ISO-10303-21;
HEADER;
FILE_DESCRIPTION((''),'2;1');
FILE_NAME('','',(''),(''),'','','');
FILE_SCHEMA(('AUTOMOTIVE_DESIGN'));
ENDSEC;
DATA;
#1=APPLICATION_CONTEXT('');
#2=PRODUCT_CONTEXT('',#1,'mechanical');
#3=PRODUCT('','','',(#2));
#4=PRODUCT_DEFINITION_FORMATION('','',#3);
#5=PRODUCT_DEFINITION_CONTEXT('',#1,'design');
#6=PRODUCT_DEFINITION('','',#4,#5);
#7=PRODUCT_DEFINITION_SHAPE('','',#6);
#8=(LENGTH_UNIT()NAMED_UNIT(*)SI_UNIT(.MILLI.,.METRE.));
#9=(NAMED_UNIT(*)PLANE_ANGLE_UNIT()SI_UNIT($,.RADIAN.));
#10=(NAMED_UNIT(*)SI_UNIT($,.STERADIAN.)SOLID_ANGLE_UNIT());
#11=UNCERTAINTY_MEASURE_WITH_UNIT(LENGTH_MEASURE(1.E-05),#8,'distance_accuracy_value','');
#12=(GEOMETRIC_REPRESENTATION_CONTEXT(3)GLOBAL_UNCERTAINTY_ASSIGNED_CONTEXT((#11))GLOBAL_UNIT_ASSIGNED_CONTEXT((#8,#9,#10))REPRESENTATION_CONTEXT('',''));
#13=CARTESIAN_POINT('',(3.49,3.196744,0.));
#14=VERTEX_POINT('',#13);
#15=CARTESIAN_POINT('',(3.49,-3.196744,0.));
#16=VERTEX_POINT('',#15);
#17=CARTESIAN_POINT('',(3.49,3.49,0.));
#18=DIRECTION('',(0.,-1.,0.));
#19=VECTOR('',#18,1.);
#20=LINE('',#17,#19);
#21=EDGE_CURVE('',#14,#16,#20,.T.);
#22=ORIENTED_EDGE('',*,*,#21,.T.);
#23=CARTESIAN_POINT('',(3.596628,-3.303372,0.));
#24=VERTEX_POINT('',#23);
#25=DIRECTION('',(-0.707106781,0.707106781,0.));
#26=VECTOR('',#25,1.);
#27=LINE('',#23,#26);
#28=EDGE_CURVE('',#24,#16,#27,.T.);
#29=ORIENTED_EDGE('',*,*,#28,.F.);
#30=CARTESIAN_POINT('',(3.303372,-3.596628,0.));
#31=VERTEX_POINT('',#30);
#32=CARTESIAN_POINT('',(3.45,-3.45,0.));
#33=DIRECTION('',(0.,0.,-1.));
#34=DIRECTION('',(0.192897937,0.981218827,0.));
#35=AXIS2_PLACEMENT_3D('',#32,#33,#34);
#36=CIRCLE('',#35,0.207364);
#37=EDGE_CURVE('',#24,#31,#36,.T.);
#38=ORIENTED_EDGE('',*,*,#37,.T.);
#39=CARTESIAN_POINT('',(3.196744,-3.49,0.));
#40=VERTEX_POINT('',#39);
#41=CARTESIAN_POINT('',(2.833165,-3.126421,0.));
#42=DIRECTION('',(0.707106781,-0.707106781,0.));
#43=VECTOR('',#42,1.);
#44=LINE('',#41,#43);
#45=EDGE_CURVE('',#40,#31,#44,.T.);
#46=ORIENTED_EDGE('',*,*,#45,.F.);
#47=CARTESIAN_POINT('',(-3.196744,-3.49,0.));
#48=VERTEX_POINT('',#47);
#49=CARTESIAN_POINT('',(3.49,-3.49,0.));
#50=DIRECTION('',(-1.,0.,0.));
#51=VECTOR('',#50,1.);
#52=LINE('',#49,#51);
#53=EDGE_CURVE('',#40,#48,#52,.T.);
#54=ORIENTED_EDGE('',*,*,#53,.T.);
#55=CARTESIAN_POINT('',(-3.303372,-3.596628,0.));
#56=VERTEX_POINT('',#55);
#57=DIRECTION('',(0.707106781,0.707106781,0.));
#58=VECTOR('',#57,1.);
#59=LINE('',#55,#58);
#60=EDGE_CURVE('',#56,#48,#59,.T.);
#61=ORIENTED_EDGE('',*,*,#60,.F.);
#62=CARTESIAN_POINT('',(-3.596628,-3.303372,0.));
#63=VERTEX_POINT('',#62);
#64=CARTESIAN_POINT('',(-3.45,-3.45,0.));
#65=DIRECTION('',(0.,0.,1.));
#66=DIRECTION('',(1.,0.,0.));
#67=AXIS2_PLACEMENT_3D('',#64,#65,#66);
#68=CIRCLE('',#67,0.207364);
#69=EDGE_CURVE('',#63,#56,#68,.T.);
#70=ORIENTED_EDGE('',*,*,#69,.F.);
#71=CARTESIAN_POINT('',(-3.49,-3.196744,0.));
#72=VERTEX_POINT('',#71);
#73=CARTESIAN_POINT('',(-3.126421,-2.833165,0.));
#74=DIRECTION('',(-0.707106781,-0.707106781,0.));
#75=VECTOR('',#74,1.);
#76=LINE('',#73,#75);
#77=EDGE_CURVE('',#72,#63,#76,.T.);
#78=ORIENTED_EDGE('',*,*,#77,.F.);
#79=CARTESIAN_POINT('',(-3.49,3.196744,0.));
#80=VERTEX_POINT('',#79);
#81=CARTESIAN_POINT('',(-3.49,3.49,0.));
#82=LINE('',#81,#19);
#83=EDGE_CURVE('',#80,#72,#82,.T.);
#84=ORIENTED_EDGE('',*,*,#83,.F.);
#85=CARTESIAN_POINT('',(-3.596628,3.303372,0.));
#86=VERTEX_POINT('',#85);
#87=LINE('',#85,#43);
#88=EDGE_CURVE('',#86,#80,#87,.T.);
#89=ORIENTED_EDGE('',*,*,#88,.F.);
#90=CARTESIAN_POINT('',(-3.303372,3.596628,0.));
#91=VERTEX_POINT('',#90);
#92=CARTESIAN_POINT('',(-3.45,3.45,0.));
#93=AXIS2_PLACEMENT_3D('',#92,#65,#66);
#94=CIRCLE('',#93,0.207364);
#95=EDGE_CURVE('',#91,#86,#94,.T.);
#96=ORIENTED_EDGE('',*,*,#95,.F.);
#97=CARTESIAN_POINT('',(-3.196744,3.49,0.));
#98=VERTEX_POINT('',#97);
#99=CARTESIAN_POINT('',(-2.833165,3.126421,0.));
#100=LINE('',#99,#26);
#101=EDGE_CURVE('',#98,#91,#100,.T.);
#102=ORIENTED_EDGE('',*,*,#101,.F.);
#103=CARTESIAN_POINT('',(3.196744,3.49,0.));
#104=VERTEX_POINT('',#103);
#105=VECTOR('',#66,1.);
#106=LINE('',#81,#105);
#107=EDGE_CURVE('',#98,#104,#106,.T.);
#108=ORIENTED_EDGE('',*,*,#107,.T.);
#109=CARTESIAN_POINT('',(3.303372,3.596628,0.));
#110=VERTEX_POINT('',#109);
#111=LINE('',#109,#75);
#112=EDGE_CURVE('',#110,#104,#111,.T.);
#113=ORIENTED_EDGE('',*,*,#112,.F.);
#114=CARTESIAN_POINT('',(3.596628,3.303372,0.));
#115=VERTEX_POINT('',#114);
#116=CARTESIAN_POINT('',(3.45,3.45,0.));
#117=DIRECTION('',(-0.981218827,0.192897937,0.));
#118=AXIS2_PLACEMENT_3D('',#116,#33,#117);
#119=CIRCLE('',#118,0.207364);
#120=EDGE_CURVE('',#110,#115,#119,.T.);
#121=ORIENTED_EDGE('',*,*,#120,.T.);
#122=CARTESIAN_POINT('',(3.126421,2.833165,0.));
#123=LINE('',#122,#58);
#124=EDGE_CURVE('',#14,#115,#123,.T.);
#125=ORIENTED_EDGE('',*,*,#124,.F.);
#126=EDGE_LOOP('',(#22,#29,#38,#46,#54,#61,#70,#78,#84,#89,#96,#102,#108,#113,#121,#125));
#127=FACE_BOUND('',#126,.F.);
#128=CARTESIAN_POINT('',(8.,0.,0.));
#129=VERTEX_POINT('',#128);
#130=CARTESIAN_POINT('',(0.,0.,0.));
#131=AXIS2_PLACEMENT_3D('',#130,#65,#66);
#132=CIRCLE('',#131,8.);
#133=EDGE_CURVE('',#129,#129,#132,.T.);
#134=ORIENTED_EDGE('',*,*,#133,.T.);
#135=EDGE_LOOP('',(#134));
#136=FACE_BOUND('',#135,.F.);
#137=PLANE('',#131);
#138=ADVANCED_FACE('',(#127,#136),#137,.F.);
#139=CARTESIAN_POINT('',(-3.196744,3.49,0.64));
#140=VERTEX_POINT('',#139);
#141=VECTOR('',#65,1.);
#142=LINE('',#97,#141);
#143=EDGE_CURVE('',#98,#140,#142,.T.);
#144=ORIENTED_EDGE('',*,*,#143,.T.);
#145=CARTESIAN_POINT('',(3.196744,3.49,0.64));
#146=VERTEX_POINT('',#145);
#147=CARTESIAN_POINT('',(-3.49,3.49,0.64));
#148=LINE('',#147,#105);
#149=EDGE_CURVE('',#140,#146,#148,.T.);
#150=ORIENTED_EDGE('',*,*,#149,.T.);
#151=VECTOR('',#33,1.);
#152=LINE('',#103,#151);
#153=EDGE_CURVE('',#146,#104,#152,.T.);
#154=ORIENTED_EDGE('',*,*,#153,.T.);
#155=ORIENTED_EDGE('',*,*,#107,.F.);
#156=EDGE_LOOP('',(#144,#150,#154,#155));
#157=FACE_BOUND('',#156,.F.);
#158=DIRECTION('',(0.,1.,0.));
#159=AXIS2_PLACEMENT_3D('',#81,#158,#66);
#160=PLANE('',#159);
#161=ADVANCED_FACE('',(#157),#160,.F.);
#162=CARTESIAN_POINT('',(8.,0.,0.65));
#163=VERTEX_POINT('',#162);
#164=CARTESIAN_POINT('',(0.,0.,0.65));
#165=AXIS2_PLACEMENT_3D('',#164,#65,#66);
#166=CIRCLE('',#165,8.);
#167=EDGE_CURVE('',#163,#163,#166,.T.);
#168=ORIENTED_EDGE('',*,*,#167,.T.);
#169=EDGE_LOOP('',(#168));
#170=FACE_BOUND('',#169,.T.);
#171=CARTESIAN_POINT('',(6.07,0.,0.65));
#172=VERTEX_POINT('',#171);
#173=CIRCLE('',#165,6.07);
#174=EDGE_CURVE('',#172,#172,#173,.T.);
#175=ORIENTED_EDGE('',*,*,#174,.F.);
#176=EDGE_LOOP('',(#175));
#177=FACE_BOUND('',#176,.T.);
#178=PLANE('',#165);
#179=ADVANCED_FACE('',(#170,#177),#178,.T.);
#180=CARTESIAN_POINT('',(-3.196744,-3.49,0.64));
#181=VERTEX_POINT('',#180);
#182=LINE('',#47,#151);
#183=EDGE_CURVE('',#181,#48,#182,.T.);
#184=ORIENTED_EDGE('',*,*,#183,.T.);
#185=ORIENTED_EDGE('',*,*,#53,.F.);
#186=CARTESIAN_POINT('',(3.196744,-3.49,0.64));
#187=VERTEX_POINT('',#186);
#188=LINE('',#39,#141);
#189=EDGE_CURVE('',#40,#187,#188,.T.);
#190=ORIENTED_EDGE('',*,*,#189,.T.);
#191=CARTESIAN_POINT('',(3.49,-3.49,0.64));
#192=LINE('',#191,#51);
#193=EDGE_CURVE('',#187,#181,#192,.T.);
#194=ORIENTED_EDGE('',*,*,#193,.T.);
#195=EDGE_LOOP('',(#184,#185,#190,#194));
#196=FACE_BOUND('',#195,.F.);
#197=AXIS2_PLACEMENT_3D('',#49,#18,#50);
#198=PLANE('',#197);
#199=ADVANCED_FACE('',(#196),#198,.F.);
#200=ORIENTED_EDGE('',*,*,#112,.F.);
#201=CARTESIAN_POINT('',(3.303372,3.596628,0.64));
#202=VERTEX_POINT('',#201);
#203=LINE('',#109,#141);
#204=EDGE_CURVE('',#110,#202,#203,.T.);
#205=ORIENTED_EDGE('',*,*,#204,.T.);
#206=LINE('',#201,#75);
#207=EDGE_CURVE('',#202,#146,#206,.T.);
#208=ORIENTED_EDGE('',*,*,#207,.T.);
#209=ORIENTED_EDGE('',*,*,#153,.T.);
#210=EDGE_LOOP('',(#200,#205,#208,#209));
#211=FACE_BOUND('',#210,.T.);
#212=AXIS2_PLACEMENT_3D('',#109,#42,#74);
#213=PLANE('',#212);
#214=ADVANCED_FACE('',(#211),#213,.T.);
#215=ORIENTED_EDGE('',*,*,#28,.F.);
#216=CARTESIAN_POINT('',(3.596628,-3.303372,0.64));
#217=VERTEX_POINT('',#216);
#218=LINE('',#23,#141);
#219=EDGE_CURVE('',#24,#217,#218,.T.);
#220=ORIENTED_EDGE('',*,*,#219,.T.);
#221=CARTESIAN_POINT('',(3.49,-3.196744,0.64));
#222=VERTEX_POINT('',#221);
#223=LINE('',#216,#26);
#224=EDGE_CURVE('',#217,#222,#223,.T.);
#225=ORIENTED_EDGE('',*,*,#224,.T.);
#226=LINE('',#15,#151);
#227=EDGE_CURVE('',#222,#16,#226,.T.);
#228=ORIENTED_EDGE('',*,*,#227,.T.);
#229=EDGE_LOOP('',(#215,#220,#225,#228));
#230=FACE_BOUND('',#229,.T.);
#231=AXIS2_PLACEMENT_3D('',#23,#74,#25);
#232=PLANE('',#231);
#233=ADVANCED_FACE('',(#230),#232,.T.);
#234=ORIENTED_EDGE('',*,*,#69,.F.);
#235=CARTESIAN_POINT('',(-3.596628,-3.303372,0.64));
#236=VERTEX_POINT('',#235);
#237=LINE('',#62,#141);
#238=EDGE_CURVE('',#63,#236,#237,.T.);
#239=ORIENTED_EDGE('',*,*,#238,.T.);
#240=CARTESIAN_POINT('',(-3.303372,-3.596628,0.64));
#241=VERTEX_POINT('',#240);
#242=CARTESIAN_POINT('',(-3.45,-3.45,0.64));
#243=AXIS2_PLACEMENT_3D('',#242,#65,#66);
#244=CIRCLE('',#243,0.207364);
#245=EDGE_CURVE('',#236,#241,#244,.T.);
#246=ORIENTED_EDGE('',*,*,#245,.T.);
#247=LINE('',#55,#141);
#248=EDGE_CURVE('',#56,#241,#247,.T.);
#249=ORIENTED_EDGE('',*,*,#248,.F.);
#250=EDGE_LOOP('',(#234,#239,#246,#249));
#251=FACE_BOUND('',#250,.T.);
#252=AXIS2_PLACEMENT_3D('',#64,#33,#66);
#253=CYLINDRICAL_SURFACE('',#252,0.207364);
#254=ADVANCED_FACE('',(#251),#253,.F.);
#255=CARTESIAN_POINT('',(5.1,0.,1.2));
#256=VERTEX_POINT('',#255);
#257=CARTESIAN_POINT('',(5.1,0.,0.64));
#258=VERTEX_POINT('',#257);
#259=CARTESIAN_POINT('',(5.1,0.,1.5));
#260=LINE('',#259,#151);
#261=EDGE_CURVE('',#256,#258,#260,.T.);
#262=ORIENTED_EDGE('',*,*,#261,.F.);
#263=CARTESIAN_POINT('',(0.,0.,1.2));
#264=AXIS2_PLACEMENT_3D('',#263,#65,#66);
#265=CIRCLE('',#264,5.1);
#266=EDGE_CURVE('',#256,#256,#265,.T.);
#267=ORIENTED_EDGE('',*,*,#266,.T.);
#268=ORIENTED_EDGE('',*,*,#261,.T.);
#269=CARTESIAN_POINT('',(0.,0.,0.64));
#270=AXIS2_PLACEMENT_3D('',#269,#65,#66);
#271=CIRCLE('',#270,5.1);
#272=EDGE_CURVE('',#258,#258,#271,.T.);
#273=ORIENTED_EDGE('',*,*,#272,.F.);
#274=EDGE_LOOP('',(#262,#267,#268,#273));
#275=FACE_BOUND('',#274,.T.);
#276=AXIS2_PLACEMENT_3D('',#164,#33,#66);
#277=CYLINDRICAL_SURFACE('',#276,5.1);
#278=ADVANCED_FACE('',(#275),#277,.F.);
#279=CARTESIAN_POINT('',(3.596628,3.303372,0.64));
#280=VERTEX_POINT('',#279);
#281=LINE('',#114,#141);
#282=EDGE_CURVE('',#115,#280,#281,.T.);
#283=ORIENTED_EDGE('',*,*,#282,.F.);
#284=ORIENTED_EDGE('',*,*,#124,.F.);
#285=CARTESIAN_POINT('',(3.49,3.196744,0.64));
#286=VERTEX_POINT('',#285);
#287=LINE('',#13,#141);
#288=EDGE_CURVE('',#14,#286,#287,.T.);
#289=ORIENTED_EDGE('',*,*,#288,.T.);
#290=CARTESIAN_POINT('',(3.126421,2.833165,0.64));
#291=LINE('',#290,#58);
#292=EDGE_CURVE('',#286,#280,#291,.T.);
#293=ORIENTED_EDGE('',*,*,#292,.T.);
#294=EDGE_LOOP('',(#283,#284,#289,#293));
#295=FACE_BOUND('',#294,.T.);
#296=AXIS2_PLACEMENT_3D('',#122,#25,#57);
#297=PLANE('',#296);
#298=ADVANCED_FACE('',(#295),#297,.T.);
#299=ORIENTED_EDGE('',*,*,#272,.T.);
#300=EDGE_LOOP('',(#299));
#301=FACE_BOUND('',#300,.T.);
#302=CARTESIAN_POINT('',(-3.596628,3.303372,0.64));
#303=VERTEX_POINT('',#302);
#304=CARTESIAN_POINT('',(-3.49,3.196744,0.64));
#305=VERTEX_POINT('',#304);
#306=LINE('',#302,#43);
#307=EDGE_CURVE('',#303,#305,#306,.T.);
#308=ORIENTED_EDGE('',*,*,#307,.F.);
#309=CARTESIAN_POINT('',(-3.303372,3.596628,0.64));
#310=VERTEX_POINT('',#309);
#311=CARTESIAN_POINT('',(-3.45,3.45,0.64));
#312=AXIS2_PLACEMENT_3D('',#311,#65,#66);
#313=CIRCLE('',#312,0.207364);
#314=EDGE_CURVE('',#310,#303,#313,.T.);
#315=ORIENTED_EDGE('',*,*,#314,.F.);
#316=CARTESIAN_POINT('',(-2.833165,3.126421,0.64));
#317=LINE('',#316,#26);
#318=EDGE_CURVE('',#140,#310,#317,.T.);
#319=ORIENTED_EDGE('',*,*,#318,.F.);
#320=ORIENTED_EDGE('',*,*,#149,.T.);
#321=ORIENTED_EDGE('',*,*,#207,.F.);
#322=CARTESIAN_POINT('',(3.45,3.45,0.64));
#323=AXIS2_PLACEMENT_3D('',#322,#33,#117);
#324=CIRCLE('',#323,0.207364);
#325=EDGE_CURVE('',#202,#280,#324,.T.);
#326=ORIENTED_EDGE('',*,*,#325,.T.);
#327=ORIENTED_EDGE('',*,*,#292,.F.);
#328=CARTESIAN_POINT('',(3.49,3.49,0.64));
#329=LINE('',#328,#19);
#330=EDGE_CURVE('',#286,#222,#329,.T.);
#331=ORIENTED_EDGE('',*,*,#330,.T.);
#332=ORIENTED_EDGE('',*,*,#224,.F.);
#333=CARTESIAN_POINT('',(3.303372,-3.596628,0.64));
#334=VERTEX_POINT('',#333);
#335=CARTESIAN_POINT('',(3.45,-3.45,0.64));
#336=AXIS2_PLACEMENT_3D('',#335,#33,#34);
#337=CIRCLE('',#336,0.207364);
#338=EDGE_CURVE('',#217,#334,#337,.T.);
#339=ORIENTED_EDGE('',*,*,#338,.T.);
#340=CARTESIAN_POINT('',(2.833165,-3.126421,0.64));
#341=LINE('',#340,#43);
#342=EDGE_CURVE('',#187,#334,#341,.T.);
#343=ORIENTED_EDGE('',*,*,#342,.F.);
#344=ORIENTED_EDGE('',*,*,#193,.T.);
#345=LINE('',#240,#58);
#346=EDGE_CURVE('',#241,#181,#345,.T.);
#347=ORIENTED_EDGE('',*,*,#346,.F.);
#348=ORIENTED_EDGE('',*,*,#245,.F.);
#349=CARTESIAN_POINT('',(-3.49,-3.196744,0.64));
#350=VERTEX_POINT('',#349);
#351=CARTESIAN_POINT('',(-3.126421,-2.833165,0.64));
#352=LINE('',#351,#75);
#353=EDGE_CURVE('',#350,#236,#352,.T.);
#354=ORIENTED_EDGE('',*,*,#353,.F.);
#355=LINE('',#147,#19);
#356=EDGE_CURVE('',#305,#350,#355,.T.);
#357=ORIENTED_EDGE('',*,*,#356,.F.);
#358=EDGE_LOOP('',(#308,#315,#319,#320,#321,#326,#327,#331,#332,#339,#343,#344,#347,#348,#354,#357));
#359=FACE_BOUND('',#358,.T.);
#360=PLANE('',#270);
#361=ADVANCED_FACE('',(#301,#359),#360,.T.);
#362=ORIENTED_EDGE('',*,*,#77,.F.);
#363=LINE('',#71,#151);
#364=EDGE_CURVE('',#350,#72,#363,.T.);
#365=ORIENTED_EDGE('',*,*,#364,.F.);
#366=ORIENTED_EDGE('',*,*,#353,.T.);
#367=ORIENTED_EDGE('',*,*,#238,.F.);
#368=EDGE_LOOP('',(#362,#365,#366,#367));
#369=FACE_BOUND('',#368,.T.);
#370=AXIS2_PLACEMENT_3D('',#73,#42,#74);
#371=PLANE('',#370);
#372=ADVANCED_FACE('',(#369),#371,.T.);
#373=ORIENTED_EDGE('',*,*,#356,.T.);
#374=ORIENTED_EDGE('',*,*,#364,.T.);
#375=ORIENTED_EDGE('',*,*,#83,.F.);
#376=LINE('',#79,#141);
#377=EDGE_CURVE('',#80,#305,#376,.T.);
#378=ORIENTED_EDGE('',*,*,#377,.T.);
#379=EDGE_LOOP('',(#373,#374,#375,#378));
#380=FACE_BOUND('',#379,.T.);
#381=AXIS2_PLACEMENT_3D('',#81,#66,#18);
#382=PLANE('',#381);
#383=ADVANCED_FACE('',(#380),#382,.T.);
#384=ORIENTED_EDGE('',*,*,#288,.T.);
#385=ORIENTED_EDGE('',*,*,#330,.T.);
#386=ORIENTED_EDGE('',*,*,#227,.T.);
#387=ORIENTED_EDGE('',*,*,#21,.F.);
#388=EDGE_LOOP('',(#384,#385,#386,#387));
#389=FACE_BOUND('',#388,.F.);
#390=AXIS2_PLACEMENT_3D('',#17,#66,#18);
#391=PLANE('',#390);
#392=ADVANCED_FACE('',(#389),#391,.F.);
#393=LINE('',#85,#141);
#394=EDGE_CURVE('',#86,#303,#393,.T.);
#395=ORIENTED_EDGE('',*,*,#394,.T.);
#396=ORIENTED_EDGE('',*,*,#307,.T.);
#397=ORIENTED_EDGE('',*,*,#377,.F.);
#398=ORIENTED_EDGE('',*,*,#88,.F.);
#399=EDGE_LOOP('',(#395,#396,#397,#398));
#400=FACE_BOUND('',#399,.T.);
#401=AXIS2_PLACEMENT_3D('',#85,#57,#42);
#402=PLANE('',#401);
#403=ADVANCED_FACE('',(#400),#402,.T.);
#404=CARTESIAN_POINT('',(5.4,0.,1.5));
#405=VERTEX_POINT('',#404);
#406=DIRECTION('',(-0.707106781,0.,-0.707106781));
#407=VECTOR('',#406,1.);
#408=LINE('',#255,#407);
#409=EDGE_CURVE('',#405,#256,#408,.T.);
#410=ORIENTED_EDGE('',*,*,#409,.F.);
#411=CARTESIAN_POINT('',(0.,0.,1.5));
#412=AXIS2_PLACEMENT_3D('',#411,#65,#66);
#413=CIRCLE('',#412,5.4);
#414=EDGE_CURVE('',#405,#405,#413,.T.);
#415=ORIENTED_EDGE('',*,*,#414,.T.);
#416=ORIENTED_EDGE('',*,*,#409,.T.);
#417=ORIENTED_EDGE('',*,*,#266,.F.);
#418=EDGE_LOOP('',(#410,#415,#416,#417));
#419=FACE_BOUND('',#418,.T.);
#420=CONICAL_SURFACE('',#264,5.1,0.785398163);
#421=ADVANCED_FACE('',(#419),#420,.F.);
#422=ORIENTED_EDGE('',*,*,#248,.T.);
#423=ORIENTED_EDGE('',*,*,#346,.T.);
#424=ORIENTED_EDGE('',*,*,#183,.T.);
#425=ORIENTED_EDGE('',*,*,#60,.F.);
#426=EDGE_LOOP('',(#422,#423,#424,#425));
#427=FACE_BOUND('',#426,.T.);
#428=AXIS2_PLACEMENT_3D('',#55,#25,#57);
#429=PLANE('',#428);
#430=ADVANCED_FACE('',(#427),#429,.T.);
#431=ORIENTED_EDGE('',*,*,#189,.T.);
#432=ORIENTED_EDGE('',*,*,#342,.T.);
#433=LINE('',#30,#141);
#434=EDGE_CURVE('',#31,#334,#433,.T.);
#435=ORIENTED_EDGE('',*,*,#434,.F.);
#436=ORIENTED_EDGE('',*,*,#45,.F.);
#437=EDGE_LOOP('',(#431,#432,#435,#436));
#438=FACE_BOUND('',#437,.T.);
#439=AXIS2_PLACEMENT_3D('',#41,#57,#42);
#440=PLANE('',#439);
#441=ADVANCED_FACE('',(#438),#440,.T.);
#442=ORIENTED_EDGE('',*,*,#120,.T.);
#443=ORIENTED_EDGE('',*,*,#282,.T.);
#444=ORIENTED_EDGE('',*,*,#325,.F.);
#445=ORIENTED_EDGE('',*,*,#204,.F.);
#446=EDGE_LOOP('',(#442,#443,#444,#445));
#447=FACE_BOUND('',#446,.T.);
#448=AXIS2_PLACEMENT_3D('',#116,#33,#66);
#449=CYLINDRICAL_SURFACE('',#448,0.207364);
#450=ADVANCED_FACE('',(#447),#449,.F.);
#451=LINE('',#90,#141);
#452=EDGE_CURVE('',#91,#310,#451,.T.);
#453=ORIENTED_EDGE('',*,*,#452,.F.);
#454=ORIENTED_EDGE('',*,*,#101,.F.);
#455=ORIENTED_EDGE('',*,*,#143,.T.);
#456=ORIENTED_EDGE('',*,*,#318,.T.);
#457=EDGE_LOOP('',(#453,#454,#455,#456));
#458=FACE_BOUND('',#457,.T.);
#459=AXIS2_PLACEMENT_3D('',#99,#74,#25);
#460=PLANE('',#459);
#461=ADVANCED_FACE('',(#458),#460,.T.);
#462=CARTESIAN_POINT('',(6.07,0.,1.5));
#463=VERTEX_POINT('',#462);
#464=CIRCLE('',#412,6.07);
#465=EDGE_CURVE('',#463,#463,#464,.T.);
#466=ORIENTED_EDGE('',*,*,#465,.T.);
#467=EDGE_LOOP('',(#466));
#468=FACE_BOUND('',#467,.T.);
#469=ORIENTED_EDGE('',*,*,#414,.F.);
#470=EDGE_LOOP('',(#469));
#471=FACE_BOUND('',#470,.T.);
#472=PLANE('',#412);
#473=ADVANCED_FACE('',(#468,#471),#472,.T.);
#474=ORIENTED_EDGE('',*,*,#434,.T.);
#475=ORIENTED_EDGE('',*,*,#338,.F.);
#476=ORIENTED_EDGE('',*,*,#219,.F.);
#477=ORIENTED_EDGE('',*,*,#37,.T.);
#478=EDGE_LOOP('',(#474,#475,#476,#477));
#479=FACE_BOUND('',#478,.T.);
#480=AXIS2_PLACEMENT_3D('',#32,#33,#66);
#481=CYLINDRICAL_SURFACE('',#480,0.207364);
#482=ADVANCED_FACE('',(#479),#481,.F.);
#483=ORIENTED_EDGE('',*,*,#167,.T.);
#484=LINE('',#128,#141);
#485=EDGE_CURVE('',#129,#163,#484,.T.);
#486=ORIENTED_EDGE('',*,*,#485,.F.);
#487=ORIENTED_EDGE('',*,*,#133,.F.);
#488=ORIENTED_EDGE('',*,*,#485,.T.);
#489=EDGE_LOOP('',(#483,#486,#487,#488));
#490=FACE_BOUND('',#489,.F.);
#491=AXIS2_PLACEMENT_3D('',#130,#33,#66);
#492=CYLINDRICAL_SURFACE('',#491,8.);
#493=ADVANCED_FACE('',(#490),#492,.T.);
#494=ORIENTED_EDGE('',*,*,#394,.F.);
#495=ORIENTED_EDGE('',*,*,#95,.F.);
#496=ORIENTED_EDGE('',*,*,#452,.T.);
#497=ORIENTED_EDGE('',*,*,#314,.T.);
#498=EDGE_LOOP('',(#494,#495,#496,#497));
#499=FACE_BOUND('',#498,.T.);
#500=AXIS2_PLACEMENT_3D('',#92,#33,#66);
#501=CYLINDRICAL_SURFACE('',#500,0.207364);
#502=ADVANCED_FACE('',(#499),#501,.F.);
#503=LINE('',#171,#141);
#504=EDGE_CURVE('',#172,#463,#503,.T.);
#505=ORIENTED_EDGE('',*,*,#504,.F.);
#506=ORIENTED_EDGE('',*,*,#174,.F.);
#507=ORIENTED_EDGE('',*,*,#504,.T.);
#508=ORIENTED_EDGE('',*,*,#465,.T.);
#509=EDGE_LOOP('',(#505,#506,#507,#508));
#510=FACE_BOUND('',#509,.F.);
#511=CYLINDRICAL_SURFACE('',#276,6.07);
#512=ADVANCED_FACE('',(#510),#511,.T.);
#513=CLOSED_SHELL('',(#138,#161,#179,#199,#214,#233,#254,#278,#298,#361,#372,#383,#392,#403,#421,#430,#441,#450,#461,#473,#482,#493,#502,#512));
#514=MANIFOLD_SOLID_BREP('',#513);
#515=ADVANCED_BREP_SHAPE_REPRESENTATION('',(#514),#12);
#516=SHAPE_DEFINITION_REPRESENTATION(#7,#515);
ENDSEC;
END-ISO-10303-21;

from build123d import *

# Parameters (mm, degrees)
SKETCH_1_R          = 8
EXTRUDE_1_DEPTH     = 0.65
EXTRUDE_START       = 0.65
SKETCH_2_R          = 6.07
SKETCH_2_R_2        = 5.1
EXTRUDE_2_DEPTH     = 0.85
CUT_EXTRUDE_START   = 0.65
SKETCH_3_R          = 5.1
CUT_EXTRUDE_1_DEPTH = 0.01
CUT_EXTRUDE_2_DEPTH = 0.64
CHAMFER_1_SIZE      = 0.3
SKETCH_6_R          = 0.207363545
CUT_EXTRUDE_3_DEPTH = 0.64
CUT_EXTRUDE_4_DEPTH = 0.64


with BuildPart() as part:
    # 草图1 → 凸台-拉伸1 (new body)
    with BuildSketch(Plane.XY):
        Circle(SKETCH_1_R)
    extrude(amount=EXTRUDE_1_DEPTH)

    # 草图2 → 凸台-拉伸2 (add)
    with BuildSketch(Plane.XY.offset(EXTRUDE_START)):
        Circle(SKETCH_2_R)
        Circle(SKETCH_2_R_2, mode=Mode.SUBTRACT)
    extrude(amount=EXTRUDE_2_DEPTH)

    # 草图3 → 切除-拉伸1 (cut)
    with BuildSketch(Plane.XY.offset(CUT_EXTRUDE_START)):
        Circle(SKETCH_3_R)
    extrude(amount=-CUT_EXTRUDE_1_DEPTH, mode=Mode.SUBTRACT)

    # 草图4 → 切除-拉伸2 (cut)
    with BuildSketch(Plane.XY):
        Polygon((-3.49, 0), (-3.49, 3.49), (3.49, 3.49), (3.49, -3.49), (-3.49, -3.49), align=None)
    extrude(amount=CUT_EXTRUDE_2_DEPTH, mode=Mode.SUBTRACT)

    # 倒角1
    chamfer_1_edges = [part.edges().sort_by_distance(p)[0] for p in [
        (-5.1, 0, 1.5),
    ]]
    chamfer(chamfer_1_edges, length=CHAMFER_1_SIZE)

    # 草图6 → 切除-拉伸3 (cut)
    with BuildSketch(Plane.XY):
        with Locations((-3.45, 3.45)):
            Circle(SKETCH_6_R)
        with Locations((3.45, 3.45)):
            Circle(SKETCH_6_R)
        with Locations((3.45, -3.45)):
            Circle(SKETCH_6_R)
        with Locations((-3.45, -3.45)):
            Circle(SKETCH_6_R)
    extrude(amount=CUT_EXTRUDE_3_DEPTH, mode=Mode.SUBTRACT)

    # 草图7 → 切除-拉伸4 (cut)
    with BuildSketch(Plane.XY):
        Polygon((-3.45, 3.45), (-3.596628169, 3.303371831), (-3.126421006, 2.833164668), (-2.833164668, 3.126421006), (-3.303371831, 3.596628169), align=None)
        Polygon((2.833164668, 3.126421006), (3.126421006, 2.833164668), (3.596628169, 3.303371831), (3.45, 3.45), (3.303371831, 3.596628169), align=None)
        Polygon((3.45, -3.45), (3.596628169, -3.303371831), (3.126421006, -2.833164668), (2.833164668, -3.126421006), (3.303371831, -3.596628169), align=None)
        Polygon((-2.833164668, -3.126421006), (-3.126421006, -2.833164668), (-3.596628169, -3.303371831), (-3.45, -3.45), (-3.303371831, -3.596628169), align=None)
    extrude(amount=CUT_EXTRUDE_4_DEPTH, mode=Mode.SUBTRACT)


solid = part.part
